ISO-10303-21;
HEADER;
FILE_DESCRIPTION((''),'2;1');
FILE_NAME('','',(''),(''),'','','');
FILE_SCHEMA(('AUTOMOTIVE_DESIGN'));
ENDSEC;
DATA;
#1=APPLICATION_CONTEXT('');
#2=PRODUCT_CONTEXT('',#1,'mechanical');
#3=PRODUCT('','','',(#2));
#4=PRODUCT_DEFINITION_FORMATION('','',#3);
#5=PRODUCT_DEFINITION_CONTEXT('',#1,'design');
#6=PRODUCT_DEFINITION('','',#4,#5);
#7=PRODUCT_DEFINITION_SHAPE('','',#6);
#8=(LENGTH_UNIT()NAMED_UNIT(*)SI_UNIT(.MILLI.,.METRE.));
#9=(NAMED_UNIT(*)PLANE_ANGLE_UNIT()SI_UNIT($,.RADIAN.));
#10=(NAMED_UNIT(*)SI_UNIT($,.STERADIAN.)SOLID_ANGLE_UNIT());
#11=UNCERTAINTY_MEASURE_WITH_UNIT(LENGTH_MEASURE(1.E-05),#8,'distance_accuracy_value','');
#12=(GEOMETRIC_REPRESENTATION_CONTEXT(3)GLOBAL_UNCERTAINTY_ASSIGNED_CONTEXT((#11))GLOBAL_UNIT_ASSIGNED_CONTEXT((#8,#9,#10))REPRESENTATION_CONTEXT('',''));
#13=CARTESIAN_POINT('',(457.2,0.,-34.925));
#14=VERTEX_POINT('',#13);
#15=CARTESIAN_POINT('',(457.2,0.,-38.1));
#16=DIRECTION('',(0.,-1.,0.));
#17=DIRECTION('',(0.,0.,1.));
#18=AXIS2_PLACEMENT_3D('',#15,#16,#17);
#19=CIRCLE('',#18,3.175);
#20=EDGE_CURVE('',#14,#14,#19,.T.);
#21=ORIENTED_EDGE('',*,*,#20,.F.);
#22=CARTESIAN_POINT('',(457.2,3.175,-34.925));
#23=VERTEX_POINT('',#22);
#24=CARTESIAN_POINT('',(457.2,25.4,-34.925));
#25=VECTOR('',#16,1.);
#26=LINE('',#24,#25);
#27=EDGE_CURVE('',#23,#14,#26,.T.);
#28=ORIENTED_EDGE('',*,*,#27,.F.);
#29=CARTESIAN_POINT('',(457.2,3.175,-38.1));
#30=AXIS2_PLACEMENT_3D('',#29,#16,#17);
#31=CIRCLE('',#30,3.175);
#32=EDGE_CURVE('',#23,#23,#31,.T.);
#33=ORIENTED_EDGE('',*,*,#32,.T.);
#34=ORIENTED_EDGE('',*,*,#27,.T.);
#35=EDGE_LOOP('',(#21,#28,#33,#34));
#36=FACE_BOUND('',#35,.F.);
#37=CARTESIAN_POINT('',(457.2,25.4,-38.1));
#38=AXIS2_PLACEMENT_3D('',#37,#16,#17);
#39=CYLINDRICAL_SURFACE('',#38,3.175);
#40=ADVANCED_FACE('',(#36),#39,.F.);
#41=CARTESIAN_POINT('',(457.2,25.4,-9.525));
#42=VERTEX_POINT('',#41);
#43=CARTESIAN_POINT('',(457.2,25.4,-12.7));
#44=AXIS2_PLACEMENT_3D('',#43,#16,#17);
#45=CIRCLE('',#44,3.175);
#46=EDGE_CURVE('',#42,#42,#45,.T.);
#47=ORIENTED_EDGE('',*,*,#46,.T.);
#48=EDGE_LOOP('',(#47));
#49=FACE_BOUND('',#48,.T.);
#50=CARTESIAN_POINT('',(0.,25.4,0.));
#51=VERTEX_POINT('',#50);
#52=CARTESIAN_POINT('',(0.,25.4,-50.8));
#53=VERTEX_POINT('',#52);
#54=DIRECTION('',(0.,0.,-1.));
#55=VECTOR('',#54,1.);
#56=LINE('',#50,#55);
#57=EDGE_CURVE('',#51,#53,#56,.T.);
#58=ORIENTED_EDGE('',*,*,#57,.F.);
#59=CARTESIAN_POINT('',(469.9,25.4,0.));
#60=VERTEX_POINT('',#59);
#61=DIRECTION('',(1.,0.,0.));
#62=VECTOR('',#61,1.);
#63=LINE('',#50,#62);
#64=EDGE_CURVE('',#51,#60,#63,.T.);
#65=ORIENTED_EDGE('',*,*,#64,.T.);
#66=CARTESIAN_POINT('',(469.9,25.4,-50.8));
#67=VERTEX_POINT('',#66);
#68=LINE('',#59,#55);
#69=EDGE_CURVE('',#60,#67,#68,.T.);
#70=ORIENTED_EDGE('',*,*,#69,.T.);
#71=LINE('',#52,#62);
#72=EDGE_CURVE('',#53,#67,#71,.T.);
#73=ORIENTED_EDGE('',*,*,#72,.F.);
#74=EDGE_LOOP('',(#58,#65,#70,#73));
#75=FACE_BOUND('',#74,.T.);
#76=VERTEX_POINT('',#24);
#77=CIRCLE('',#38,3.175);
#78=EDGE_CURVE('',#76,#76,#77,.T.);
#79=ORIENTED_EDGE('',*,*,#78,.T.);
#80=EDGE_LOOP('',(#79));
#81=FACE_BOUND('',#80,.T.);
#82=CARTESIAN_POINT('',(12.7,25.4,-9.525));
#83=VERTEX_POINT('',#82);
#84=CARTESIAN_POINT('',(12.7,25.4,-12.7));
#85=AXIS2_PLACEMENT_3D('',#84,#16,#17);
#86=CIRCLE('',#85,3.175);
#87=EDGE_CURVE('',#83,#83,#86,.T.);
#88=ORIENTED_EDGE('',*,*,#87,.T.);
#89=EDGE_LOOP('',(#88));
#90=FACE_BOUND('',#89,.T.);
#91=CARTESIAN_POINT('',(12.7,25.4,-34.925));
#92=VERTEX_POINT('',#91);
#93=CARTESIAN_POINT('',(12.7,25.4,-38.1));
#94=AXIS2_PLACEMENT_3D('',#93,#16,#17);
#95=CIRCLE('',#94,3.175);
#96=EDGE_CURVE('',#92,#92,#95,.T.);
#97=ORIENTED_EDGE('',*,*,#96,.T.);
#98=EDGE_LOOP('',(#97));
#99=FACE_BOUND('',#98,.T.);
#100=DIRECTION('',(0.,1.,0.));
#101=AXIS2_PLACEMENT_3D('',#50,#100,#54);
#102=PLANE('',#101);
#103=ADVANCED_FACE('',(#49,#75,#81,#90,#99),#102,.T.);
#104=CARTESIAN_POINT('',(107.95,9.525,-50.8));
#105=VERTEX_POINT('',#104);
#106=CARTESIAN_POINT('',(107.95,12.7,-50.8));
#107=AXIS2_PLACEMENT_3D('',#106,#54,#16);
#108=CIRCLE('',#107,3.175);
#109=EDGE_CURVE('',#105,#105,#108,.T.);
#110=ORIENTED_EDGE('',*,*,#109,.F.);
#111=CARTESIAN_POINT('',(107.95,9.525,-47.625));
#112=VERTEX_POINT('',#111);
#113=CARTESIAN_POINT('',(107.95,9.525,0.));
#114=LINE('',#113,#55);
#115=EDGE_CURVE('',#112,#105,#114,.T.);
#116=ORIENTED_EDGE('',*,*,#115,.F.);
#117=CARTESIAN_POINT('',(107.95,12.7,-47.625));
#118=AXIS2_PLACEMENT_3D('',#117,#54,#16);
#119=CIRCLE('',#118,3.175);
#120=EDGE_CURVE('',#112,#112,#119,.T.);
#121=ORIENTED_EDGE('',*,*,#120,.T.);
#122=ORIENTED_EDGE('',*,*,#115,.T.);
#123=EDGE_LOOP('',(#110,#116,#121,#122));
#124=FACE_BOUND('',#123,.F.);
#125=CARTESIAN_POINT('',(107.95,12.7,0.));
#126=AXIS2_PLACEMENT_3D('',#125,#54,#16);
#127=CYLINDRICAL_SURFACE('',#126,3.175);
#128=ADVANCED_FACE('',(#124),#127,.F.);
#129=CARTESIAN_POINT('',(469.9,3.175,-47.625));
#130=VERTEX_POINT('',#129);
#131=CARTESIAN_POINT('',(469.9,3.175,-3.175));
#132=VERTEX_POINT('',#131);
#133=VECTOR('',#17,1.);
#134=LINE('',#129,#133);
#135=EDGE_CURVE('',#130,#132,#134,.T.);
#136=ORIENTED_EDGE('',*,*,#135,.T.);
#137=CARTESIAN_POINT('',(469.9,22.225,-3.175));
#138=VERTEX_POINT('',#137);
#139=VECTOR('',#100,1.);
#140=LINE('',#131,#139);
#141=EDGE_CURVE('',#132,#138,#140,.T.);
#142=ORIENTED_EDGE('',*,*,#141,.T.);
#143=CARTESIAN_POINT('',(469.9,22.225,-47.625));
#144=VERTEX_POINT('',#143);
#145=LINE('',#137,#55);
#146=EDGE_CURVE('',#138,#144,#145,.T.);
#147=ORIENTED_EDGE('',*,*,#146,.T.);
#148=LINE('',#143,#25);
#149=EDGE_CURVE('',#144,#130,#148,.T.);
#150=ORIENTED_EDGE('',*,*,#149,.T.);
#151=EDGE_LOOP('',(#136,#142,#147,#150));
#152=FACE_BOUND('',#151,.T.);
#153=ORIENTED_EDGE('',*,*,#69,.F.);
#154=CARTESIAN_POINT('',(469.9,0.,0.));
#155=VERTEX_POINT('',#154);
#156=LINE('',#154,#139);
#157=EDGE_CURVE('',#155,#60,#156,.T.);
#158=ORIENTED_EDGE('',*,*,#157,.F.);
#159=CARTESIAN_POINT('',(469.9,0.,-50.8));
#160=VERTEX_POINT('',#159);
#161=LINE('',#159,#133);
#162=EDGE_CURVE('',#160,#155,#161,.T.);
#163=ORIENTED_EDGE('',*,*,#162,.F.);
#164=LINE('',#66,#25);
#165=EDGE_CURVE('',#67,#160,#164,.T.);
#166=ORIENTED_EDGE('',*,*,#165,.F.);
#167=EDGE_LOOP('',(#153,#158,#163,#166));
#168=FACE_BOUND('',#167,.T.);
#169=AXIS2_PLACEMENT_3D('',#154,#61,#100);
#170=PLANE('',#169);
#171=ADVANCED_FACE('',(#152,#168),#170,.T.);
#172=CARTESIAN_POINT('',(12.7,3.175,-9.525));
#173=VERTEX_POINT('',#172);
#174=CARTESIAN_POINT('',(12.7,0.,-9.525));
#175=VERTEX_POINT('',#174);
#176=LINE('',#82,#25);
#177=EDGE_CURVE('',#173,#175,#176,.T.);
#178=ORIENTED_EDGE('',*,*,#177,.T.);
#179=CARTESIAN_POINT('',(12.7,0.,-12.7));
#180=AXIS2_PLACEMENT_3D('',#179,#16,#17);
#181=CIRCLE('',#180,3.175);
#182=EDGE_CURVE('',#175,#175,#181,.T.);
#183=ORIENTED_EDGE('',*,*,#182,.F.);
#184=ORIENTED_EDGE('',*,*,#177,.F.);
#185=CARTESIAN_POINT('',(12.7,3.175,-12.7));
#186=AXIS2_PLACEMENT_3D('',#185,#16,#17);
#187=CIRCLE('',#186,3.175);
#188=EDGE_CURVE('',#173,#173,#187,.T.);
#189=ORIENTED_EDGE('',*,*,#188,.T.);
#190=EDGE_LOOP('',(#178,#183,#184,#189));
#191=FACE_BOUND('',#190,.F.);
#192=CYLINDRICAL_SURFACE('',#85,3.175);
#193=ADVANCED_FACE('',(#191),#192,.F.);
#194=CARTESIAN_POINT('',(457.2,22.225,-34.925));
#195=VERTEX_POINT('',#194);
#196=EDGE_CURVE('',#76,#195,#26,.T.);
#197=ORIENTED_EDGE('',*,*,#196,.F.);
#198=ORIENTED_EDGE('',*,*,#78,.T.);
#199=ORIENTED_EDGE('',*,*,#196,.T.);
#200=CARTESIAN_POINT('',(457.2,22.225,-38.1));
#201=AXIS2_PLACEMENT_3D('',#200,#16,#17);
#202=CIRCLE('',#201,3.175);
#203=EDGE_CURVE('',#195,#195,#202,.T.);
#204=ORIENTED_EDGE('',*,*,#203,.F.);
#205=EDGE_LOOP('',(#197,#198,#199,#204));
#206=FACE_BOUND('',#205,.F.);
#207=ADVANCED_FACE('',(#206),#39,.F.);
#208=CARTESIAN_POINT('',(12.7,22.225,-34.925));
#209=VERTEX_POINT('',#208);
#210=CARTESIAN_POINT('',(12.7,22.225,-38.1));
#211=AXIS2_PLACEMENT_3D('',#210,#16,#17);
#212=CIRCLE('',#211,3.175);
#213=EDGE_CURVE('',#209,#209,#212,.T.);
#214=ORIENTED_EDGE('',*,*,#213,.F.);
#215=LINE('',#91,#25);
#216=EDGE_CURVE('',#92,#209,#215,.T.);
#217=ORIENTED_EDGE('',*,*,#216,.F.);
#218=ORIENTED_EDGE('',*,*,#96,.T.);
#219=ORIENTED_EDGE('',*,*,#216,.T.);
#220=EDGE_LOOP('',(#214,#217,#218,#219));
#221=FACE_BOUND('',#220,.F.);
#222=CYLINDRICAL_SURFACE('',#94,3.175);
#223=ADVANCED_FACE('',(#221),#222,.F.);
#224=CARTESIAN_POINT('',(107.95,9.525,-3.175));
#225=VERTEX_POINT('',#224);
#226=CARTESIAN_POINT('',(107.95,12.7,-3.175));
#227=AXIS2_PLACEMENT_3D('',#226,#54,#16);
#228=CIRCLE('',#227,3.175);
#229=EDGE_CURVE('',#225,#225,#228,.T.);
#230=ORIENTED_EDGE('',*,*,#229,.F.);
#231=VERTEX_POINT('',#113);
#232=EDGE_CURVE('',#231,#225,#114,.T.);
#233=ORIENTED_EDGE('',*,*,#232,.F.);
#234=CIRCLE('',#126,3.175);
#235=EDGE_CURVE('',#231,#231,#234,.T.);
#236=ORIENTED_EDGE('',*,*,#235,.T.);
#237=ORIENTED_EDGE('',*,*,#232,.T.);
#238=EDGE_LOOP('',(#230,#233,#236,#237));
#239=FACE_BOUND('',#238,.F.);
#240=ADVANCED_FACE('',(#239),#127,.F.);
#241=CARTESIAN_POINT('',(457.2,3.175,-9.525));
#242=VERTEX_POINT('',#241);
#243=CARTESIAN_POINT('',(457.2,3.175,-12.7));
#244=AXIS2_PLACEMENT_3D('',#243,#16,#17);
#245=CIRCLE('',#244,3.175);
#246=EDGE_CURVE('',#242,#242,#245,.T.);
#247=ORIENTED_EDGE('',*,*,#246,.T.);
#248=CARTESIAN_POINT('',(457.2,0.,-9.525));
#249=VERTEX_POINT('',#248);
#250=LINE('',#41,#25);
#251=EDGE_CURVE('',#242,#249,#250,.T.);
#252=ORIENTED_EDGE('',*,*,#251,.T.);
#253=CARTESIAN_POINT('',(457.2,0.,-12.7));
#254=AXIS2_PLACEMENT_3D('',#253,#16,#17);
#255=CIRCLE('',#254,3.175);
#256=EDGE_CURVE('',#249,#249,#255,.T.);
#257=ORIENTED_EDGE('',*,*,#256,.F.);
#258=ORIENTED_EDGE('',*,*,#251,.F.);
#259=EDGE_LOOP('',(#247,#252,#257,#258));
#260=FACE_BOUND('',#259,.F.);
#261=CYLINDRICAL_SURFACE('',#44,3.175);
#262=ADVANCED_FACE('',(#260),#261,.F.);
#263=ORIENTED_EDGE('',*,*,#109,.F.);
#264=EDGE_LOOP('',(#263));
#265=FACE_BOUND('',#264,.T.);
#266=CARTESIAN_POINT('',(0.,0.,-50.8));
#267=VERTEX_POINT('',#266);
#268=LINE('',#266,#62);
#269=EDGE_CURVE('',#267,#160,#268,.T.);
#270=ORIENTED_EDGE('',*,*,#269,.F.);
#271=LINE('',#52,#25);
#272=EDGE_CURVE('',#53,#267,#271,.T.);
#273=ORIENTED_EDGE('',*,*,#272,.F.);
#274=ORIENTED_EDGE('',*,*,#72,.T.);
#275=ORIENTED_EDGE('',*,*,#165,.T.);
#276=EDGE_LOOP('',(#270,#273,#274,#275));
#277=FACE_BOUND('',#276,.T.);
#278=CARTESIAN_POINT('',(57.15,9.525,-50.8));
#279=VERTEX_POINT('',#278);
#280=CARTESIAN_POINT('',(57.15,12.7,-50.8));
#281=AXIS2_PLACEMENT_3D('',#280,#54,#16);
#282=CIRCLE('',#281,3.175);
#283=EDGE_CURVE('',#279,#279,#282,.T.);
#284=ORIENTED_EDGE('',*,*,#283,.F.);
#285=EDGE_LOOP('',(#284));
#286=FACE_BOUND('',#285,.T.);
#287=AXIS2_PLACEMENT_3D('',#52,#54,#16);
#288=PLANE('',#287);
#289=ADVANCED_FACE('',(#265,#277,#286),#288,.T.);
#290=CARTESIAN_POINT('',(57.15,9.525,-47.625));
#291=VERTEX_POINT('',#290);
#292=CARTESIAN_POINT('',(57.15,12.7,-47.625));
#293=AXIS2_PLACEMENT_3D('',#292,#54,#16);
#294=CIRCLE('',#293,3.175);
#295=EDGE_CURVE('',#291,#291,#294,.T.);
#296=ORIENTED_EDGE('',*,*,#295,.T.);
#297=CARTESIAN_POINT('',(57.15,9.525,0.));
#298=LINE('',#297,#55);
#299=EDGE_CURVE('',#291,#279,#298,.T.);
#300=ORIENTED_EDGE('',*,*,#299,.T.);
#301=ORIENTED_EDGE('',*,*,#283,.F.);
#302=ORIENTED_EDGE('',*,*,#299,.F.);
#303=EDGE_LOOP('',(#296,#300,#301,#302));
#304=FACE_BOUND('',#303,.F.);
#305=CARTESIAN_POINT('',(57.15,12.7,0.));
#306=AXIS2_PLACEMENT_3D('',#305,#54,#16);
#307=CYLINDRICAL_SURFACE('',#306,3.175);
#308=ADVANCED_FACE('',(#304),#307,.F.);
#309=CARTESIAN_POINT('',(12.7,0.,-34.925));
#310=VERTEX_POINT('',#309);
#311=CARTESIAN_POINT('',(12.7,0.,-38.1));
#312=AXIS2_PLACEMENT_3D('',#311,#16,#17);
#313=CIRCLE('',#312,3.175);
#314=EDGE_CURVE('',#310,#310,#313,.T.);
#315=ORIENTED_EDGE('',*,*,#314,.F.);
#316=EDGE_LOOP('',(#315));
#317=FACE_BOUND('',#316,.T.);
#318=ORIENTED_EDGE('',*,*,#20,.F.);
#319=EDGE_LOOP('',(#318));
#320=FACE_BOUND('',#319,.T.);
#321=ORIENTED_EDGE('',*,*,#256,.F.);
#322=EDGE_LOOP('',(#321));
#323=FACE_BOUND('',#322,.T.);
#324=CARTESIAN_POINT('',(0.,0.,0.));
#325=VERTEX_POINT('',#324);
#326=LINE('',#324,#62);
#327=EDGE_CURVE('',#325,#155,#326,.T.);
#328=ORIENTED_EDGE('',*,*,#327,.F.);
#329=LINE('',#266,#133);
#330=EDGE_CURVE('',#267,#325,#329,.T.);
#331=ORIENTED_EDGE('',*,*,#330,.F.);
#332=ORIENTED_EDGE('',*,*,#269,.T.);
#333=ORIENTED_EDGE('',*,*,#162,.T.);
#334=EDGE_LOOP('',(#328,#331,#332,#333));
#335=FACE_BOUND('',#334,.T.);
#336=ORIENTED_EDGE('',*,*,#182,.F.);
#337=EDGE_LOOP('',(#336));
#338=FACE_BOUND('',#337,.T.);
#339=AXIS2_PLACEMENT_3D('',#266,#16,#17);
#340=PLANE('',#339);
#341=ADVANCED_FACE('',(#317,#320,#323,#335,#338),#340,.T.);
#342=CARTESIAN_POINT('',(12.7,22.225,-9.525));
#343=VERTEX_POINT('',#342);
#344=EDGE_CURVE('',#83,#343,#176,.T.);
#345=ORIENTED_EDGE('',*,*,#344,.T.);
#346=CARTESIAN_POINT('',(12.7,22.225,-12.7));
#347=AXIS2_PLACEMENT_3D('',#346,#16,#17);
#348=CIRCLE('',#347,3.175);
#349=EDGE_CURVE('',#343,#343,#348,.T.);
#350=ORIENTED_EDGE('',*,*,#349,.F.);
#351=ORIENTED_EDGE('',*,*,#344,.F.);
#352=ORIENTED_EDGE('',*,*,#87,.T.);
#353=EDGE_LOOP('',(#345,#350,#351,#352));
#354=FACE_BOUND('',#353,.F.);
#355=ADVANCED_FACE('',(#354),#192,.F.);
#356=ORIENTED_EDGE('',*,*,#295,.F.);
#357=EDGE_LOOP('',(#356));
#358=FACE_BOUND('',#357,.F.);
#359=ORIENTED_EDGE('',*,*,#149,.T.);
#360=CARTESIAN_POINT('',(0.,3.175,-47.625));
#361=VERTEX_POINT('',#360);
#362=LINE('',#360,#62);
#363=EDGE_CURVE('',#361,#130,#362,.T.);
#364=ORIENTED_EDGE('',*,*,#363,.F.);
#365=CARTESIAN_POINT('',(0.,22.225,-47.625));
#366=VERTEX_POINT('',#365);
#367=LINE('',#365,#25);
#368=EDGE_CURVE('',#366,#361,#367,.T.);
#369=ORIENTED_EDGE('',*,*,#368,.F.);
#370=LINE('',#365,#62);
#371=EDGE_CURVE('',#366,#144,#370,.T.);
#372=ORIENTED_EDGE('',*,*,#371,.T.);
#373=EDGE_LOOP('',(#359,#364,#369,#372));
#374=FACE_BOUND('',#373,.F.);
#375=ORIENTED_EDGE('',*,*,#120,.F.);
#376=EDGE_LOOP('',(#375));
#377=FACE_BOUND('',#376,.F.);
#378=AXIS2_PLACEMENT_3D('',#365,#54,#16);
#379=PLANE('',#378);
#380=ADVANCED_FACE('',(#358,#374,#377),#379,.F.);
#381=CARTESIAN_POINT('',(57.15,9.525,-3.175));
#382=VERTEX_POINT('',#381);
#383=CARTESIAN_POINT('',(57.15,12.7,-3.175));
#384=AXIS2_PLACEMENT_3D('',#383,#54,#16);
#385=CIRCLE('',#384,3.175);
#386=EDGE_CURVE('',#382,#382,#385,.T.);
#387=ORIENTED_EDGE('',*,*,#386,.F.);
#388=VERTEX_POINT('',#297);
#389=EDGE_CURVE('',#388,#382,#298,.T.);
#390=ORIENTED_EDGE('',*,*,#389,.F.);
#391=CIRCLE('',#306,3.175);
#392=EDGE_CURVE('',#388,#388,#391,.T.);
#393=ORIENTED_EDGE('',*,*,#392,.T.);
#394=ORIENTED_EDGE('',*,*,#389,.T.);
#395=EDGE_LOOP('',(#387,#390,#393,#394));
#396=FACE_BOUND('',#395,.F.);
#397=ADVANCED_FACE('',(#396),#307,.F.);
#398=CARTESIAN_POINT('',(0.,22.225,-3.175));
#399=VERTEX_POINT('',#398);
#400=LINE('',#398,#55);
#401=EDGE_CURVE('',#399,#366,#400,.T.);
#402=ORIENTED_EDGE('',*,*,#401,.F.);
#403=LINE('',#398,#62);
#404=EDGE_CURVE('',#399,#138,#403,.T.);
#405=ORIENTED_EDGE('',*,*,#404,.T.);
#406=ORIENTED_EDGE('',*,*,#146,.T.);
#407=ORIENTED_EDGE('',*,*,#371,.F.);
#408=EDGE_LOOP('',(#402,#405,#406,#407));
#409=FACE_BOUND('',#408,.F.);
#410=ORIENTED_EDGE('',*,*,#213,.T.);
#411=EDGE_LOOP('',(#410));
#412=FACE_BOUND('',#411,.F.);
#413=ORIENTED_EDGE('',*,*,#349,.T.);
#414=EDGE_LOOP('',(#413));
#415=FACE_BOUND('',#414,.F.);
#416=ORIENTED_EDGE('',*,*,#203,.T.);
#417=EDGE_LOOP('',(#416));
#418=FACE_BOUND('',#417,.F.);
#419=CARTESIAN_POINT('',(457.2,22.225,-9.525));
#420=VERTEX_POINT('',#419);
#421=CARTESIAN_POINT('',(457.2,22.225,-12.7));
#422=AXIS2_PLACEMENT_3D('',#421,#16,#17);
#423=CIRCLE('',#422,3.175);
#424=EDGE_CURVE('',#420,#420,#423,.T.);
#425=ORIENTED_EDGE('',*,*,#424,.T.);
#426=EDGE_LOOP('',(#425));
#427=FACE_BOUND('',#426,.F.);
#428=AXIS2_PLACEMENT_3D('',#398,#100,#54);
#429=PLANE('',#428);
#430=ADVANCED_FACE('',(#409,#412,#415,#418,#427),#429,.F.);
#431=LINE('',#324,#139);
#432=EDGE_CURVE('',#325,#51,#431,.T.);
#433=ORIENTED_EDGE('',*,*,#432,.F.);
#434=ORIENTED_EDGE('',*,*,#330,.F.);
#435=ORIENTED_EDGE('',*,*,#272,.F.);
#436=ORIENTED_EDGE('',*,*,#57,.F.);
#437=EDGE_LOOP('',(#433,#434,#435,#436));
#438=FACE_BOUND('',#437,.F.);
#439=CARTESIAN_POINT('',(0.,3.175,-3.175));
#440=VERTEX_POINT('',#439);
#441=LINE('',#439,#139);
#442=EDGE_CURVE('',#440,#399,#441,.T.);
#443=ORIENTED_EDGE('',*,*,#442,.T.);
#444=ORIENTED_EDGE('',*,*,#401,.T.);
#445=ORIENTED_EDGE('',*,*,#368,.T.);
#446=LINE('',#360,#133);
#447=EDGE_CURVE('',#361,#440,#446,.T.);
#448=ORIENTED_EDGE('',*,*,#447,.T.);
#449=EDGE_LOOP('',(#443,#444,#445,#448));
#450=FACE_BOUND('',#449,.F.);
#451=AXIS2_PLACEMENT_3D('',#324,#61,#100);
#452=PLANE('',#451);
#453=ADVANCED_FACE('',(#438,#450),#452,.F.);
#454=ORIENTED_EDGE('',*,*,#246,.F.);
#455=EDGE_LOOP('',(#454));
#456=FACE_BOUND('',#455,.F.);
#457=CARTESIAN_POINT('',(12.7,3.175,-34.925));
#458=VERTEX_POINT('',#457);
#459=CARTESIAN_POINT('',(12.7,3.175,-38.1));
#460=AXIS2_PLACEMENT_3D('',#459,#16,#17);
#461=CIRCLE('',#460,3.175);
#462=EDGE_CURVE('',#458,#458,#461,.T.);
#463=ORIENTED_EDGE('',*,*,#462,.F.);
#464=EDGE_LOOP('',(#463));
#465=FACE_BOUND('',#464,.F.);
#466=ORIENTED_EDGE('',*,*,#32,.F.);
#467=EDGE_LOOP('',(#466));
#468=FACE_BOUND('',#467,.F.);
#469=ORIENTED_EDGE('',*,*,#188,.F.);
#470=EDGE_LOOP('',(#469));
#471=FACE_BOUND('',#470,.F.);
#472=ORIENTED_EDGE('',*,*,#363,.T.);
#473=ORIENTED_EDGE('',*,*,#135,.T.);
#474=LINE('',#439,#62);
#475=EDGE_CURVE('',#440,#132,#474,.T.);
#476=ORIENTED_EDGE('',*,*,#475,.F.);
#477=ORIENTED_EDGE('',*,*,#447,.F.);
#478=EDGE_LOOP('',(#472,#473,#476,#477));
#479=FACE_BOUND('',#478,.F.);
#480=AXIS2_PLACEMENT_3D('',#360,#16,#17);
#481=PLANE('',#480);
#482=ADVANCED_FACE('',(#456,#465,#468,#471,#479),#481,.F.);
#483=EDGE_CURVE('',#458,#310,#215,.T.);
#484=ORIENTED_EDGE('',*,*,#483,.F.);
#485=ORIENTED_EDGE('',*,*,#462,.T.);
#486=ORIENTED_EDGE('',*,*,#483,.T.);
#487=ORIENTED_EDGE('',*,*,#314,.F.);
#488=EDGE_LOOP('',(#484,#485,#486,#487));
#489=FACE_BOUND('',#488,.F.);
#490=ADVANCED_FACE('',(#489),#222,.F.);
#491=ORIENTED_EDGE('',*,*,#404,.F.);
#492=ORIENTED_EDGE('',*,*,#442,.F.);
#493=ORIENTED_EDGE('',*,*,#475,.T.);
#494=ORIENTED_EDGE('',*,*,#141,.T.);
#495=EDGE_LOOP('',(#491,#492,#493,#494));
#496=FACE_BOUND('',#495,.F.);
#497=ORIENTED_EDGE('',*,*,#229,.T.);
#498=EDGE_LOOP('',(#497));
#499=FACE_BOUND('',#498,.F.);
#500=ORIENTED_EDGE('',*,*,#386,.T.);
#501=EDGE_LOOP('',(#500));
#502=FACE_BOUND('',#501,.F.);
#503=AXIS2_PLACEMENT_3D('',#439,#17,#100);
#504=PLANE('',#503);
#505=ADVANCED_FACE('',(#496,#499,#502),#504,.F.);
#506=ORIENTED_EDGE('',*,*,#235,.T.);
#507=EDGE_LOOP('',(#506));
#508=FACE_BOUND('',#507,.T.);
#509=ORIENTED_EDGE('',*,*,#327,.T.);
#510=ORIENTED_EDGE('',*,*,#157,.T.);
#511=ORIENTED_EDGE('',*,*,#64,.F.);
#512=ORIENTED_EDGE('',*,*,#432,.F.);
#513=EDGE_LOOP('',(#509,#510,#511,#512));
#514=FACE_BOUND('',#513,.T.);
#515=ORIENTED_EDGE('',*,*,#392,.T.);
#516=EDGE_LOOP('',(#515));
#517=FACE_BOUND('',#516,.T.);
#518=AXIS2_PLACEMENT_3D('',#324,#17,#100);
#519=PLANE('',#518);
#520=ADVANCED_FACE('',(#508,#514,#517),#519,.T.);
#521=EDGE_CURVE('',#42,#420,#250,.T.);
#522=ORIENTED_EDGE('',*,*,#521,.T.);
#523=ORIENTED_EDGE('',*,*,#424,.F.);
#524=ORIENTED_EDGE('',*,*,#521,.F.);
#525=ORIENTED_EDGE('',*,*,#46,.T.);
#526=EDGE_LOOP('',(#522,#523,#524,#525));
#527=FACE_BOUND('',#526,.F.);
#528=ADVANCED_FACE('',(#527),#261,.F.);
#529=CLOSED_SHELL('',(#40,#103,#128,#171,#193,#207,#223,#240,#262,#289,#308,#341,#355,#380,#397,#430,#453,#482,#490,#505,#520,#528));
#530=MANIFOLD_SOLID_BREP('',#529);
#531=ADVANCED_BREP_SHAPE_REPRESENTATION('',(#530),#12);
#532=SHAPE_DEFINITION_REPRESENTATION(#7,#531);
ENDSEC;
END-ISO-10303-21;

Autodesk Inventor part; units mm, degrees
ref_plane "YZ Plane" through (0, 0, 0) normal (1, 0, 0) x (0, 1, 0)
ref_plane "XZ Plane" through (0, 0, 0) normal (0, 1, 0) x (-1, 0, 0)
ref_plane "XY Plane" through (0, 0, 0) normal (0, 0, 1) x (1, 0, 0)
sketch "Sketch1" plane through (0, 0, 0) normal (1, 0, 0) x (0, 1, 0)
  line L0 (0, 0) -> (25.4, 0)
  line L1 (25.4, 0) -> (25.4, -50.8)
  line L2 (25.4, -50.8) -> (0, -50.8)
  line L3 (0, -50.8) -> (0, 0)
  line L4 (3.175, -3.175) -> (22.225, -3.175)
  line L5 (22.225, -3.175) -> (22.225, -47.625)
  line L6 (22.225, -47.625) -> (3.175, -47.625)
  line L7 (3.175, -47.625) -> (3.175, -3.175)
  dimension "d0" = 25.4
  dimension "d1" = 50.8
  dimension "d2" = 19.05
  dimension "d3" = 44.45
  dimension "d4" = 3.175
  dimension "d5" = 3.175
extrude "Extrusion1" add sketch "Sketch1" along normal blind 469.9
sketch "Sketch2" plane through (0, 25.4, 0) normal (0, 1, 0) x (1, 0, 0)
  line L0 (0, 0) -> (0, 50.8) projected
  line L1 (0, 0) -> (469.9, 0) projected
  line L2 (469.9, 50.8) -> (469.9, 0) projected
  line L3 (0, 50.8) -> (469.9, 50.8) projected
  point P0 (12.7, 12.7)
  point P1 (12.7, 38.1)
  point P2 (457.2, 12.7)
  point P3 (457.2, 38.1)
  dimension "d8" = 12.7
  dimension "d9" = 12.7
  dimension "d10" = 12.7
  dimension "d11" = 12.7
  dimension "d12" = 12.7
  dimension "d13" = 12.7
  dimension "d14" = 12.7
  dimension "d15" = 12.7
hole "Hole1" at (12.7, 25.4, -12.7) at (12.7, 25.4, -38.1) at (457.2, 25.4, -12.7) at (457.2, 25.4, -38.1) direction (0, -1, 0) diameter 6.35 end through all
sketch "Sketch3" plane through (0, 0, 0) normal (0, 0, 1) x (1, 0, 0)
  line L0 (0, 0) -> (0, 25.4) projected
  line L1 (0, 0) -> (469.9, 0) projected
  line L2 (469.9, 25.4) -> (469.9, 0) projected
  line L3 (0, 25.4) -> (469.9, 25.4) projected
  point P0 (57.15, 12.7)
  point P1 (107.95, 12.7)
  dimension "d23" = 57.15
  dimension "d24" = 12.7
  dimension "d25" = 12.7
  dimension "d26" = 107.95
hole "Hole2" at (57.15, 12.7, 0) at (107.95, 12.7, 0) direction (0, 0, -1) diameter 6.35 end through all
properties part number "2x1 support horizontal"
